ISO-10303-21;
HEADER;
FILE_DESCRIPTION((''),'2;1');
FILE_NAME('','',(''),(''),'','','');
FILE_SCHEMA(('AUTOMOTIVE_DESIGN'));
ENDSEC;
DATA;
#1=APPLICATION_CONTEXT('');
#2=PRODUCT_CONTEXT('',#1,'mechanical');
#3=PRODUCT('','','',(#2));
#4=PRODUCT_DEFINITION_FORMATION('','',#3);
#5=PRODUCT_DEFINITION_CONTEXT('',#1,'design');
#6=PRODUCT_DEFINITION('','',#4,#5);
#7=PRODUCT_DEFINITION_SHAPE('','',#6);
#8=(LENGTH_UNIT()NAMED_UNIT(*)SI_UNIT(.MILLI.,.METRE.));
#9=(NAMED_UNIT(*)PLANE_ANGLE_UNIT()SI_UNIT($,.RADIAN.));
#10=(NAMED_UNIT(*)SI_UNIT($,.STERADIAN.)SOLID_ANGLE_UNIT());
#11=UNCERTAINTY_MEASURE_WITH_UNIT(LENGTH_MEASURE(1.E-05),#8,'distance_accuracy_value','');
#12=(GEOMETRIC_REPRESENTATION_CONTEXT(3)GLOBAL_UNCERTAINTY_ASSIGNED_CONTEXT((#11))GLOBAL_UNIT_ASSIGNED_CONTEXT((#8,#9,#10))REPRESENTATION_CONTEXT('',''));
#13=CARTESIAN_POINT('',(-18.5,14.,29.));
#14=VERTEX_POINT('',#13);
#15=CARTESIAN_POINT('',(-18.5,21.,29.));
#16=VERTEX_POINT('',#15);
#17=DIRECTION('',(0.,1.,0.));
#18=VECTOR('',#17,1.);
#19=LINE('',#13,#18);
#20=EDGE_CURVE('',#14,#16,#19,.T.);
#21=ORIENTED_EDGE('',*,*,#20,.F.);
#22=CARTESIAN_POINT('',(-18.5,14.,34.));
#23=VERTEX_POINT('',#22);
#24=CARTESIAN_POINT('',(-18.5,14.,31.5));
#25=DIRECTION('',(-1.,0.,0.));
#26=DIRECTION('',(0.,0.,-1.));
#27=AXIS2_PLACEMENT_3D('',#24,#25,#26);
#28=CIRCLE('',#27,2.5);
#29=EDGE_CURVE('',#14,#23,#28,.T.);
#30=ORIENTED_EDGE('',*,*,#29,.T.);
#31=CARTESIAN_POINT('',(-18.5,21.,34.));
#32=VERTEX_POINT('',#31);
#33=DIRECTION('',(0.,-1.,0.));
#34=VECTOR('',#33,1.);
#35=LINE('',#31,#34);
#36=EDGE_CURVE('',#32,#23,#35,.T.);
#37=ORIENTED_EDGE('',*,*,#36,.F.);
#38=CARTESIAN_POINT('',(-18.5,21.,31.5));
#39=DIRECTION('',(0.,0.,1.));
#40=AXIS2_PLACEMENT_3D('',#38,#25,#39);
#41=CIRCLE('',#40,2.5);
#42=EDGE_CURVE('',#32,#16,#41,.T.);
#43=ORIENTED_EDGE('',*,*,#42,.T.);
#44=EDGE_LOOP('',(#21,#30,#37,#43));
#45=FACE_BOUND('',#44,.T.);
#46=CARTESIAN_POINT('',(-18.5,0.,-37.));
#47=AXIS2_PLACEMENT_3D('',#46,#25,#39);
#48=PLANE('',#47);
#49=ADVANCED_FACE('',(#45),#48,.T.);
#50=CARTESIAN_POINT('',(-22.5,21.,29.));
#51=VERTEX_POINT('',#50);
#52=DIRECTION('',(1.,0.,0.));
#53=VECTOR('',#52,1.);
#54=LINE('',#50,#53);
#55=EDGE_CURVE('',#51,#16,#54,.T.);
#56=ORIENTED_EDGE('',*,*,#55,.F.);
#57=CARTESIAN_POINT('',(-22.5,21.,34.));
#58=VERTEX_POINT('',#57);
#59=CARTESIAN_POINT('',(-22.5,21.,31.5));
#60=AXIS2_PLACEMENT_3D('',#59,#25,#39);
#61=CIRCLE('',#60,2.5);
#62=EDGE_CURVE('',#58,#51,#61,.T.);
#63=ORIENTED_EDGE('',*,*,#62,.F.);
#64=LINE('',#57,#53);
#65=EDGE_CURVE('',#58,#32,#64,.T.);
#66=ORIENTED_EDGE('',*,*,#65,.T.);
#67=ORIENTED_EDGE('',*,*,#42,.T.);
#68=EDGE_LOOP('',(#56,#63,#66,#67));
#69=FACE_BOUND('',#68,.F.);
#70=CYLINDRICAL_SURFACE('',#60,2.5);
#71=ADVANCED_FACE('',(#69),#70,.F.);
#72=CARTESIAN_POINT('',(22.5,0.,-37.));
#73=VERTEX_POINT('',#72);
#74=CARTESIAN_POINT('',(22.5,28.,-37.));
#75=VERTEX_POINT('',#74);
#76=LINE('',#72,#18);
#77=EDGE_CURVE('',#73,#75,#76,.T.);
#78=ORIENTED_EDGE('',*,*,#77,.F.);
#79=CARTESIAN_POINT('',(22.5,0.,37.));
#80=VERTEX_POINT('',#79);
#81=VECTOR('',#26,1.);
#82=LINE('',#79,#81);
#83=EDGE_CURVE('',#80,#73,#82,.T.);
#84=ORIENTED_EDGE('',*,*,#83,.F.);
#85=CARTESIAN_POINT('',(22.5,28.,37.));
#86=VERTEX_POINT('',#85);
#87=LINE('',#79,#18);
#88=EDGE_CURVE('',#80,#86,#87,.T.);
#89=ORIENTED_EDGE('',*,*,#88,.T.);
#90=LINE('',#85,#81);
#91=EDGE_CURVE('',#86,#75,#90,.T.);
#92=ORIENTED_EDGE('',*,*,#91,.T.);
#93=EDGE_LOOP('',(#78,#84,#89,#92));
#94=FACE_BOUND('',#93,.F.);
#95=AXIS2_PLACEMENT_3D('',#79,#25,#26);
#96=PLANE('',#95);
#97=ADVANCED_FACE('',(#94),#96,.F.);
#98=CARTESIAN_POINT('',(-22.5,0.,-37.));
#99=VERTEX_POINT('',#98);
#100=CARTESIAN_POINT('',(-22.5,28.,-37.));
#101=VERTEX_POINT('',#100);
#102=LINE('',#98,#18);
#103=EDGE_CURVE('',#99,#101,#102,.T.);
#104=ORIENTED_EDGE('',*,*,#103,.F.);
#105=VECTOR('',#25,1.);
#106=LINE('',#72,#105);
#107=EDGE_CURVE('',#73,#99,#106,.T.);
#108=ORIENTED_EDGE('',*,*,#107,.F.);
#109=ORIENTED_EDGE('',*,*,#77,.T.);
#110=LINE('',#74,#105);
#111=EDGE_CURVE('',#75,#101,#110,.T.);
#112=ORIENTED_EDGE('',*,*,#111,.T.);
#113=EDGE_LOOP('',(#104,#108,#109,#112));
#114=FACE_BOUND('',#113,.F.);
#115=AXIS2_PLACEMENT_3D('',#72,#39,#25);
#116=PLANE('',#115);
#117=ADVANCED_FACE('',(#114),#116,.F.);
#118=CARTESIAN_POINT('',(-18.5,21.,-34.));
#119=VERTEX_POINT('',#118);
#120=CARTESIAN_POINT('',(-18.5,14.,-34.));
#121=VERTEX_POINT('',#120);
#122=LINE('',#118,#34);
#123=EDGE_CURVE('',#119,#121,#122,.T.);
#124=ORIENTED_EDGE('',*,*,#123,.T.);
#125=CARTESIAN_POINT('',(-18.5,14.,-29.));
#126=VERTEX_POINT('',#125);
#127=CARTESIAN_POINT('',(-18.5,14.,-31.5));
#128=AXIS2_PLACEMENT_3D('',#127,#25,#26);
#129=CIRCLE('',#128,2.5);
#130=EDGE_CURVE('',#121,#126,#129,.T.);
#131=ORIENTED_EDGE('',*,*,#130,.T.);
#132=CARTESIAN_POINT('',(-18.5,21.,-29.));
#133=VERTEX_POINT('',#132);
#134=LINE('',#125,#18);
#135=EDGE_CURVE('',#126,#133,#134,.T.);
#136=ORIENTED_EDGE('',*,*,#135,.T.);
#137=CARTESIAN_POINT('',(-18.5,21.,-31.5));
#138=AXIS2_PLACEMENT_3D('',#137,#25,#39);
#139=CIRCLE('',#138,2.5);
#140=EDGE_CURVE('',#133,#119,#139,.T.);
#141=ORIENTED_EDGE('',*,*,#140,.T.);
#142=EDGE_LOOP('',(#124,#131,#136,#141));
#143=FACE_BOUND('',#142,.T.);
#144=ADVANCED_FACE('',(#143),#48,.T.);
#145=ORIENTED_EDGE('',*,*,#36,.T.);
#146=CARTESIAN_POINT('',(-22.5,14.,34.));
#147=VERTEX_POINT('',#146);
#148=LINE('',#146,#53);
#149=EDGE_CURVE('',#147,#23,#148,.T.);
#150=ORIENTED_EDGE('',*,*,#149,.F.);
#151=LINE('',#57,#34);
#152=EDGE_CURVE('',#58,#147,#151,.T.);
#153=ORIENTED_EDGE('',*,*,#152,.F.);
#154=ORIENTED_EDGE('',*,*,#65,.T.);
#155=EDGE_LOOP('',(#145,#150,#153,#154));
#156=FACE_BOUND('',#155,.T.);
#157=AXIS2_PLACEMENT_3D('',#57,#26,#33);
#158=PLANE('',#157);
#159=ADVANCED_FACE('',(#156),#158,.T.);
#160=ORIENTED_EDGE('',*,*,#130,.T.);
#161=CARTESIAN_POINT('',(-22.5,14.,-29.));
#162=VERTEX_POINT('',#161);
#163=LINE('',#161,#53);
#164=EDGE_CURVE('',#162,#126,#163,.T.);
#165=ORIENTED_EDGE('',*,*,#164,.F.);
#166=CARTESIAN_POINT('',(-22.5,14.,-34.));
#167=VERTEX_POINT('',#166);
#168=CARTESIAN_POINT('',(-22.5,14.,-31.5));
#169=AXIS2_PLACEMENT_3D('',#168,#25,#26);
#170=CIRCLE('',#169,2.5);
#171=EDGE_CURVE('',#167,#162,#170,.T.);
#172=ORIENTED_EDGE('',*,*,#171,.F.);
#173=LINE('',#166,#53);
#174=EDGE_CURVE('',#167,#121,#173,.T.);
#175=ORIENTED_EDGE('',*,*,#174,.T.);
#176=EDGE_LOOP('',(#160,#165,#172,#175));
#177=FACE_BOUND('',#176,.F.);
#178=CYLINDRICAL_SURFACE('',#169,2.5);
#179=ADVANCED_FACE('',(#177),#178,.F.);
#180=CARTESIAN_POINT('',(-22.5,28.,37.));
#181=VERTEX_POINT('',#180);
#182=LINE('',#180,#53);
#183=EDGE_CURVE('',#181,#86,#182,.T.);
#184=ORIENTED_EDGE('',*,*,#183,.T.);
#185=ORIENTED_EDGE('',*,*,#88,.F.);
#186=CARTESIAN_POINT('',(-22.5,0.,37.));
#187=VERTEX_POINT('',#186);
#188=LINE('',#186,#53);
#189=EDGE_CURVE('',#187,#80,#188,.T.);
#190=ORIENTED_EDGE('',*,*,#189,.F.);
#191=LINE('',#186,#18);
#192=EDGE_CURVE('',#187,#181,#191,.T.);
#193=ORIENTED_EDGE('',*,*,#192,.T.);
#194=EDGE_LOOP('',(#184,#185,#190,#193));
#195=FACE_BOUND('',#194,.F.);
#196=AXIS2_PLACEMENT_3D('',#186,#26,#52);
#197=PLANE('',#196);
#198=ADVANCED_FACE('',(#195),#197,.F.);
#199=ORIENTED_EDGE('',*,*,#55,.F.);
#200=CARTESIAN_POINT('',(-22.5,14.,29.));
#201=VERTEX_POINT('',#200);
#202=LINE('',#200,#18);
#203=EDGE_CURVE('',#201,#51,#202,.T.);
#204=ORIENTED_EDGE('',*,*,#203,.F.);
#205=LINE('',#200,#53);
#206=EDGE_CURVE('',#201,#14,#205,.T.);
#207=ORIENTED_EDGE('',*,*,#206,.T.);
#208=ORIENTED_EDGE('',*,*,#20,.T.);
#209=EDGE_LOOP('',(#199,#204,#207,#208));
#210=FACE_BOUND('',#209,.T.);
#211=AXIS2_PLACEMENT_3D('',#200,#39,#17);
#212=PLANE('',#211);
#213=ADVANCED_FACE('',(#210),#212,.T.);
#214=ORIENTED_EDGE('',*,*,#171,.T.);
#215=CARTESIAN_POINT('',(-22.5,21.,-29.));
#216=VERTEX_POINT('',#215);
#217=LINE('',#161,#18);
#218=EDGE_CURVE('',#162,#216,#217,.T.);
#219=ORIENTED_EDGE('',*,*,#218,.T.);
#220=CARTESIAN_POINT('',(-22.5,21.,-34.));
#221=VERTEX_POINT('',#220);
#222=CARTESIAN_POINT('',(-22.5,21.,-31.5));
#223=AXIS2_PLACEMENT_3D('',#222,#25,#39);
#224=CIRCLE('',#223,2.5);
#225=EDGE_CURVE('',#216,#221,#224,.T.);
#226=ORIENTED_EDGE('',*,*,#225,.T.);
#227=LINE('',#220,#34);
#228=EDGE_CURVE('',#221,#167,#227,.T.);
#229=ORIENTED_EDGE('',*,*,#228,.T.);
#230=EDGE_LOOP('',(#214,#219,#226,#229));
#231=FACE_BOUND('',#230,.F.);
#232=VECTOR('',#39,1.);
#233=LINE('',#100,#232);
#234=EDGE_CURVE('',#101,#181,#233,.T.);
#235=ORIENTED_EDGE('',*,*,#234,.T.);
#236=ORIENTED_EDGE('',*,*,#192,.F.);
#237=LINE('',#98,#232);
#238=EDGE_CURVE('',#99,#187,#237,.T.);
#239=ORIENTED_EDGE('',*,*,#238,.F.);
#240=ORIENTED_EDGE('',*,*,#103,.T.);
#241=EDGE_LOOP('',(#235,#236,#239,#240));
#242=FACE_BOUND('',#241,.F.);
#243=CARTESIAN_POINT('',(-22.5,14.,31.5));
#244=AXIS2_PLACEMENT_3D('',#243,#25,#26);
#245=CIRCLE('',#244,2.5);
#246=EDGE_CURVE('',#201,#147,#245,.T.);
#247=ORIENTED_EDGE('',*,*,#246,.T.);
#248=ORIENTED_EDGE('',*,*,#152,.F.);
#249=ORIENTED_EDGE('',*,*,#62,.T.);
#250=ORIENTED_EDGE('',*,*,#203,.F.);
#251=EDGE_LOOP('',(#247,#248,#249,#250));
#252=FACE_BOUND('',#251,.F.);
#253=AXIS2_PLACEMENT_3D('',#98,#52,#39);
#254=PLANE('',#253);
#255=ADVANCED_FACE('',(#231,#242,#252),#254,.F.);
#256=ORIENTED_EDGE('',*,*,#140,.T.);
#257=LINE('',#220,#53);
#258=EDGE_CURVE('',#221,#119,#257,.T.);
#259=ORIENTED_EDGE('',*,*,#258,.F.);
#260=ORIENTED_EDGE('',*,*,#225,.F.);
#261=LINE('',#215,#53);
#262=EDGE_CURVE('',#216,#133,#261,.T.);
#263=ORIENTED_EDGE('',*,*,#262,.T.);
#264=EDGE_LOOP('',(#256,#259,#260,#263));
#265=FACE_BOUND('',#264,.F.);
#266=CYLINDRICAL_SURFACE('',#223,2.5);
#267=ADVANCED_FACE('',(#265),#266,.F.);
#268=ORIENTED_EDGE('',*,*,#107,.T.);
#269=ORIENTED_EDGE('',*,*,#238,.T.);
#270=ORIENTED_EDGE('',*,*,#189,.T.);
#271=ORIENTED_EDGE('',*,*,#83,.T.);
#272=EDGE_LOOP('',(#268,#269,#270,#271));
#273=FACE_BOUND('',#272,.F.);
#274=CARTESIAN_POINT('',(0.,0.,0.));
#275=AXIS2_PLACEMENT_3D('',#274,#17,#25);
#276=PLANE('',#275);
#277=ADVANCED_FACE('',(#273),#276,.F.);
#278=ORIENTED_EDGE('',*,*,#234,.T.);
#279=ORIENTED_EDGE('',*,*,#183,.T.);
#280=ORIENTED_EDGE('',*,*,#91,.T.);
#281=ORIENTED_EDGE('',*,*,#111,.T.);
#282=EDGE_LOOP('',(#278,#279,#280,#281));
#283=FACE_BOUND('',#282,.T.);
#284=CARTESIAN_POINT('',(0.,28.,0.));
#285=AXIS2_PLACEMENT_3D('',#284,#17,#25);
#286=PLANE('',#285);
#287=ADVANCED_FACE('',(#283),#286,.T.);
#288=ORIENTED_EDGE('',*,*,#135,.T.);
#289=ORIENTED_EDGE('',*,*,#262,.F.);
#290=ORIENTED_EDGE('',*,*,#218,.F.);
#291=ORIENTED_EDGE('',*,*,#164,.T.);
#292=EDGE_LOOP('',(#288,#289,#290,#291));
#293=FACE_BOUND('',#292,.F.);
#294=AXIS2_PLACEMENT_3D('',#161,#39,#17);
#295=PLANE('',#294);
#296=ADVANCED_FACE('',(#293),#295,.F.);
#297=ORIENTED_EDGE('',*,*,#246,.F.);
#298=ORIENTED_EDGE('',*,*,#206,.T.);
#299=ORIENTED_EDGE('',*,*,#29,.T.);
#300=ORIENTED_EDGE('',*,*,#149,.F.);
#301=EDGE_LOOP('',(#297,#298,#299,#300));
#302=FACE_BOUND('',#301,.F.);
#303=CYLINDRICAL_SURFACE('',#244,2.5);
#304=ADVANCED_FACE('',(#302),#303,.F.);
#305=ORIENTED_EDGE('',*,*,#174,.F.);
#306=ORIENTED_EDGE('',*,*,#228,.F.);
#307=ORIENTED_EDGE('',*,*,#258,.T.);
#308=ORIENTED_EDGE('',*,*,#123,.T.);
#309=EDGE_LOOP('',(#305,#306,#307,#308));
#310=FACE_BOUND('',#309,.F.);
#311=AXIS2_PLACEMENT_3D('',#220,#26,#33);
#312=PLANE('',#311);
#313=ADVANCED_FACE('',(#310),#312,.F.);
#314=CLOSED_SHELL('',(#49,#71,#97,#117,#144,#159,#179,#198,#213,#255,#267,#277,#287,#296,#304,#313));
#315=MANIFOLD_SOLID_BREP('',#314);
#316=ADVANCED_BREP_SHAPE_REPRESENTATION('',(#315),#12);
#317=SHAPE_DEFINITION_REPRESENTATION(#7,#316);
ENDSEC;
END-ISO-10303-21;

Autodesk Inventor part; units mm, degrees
ref_plane "YZ Plane" through (0, 0, 0) normal (1, 0, 0) x (0, 1, 0)
ref_plane "XZ Plane" through (0, 0, 0) normal (0, 1, 0) x (-1, 0, 0)
ref_plane "XY Plane" through (0, 0, 0) normal (0, 0, 1) x (1, 0, 0)
sketch "Sketch1" plane through (0, 0, 0) normal (0, 1, 0) x (-1, 0, 0)
  line L0 (22.5, 37) -> (-22.5, 37)
  line L1 (-22.5, 37) -> (-22.5, -37)
  line L2 (-22.5, -37) -> (22.5, -37)
  line L3 (22.5, -37) -> (22.5, 37)
  point P0 (0, 0)
  point P1 (22.5, 0)
  point P2 (0, -37)
  dimension "d0" = 74
  dimension "d1" = 45
extrude "Extrusion1" add sketch "Sketch1" along normal blind 28
sketch "Sketch2" plane through (-22.5, 0, -37) normal (-1, 0, 0) x (0, 0, 1)
  arc A0 (3, 14) -> (8, 14) centre (5.5, 14) ccw
  arc A1 (8, 21) -> (3, 21) centre (5.5, 21) ccw
  line L0 (8, 14) -> (8, 21)
  line L1 (3, 21) -> (3, 14)
  line L2 (0, 28) -> (74, 28) projected
  line L3 (0, 0) -> (0, 28) projected
  line L4 (37, 0) -> (37, 28) construction
  arc A2 (66, 14) -> (71, 14) centre (68.5, 14) ccw
  arc A3 (71, 21) -> (66, 21) centre (68.5, 21) ccw
  line L5 (66, 14) -> (66, 21)
  line L6 (71, 21) -> (71, 14)
  dimension "d4" = 5
  dimension "d5" = 5
  dimension "d6" = 12
  dimension "d7" = 4.5
  dimension "d8" = 3
extrude "Extrusion2" cut sketch "Sketch2" against normal blind 4
equation "\"d5\" = d4"
properties part number "controller_board"
